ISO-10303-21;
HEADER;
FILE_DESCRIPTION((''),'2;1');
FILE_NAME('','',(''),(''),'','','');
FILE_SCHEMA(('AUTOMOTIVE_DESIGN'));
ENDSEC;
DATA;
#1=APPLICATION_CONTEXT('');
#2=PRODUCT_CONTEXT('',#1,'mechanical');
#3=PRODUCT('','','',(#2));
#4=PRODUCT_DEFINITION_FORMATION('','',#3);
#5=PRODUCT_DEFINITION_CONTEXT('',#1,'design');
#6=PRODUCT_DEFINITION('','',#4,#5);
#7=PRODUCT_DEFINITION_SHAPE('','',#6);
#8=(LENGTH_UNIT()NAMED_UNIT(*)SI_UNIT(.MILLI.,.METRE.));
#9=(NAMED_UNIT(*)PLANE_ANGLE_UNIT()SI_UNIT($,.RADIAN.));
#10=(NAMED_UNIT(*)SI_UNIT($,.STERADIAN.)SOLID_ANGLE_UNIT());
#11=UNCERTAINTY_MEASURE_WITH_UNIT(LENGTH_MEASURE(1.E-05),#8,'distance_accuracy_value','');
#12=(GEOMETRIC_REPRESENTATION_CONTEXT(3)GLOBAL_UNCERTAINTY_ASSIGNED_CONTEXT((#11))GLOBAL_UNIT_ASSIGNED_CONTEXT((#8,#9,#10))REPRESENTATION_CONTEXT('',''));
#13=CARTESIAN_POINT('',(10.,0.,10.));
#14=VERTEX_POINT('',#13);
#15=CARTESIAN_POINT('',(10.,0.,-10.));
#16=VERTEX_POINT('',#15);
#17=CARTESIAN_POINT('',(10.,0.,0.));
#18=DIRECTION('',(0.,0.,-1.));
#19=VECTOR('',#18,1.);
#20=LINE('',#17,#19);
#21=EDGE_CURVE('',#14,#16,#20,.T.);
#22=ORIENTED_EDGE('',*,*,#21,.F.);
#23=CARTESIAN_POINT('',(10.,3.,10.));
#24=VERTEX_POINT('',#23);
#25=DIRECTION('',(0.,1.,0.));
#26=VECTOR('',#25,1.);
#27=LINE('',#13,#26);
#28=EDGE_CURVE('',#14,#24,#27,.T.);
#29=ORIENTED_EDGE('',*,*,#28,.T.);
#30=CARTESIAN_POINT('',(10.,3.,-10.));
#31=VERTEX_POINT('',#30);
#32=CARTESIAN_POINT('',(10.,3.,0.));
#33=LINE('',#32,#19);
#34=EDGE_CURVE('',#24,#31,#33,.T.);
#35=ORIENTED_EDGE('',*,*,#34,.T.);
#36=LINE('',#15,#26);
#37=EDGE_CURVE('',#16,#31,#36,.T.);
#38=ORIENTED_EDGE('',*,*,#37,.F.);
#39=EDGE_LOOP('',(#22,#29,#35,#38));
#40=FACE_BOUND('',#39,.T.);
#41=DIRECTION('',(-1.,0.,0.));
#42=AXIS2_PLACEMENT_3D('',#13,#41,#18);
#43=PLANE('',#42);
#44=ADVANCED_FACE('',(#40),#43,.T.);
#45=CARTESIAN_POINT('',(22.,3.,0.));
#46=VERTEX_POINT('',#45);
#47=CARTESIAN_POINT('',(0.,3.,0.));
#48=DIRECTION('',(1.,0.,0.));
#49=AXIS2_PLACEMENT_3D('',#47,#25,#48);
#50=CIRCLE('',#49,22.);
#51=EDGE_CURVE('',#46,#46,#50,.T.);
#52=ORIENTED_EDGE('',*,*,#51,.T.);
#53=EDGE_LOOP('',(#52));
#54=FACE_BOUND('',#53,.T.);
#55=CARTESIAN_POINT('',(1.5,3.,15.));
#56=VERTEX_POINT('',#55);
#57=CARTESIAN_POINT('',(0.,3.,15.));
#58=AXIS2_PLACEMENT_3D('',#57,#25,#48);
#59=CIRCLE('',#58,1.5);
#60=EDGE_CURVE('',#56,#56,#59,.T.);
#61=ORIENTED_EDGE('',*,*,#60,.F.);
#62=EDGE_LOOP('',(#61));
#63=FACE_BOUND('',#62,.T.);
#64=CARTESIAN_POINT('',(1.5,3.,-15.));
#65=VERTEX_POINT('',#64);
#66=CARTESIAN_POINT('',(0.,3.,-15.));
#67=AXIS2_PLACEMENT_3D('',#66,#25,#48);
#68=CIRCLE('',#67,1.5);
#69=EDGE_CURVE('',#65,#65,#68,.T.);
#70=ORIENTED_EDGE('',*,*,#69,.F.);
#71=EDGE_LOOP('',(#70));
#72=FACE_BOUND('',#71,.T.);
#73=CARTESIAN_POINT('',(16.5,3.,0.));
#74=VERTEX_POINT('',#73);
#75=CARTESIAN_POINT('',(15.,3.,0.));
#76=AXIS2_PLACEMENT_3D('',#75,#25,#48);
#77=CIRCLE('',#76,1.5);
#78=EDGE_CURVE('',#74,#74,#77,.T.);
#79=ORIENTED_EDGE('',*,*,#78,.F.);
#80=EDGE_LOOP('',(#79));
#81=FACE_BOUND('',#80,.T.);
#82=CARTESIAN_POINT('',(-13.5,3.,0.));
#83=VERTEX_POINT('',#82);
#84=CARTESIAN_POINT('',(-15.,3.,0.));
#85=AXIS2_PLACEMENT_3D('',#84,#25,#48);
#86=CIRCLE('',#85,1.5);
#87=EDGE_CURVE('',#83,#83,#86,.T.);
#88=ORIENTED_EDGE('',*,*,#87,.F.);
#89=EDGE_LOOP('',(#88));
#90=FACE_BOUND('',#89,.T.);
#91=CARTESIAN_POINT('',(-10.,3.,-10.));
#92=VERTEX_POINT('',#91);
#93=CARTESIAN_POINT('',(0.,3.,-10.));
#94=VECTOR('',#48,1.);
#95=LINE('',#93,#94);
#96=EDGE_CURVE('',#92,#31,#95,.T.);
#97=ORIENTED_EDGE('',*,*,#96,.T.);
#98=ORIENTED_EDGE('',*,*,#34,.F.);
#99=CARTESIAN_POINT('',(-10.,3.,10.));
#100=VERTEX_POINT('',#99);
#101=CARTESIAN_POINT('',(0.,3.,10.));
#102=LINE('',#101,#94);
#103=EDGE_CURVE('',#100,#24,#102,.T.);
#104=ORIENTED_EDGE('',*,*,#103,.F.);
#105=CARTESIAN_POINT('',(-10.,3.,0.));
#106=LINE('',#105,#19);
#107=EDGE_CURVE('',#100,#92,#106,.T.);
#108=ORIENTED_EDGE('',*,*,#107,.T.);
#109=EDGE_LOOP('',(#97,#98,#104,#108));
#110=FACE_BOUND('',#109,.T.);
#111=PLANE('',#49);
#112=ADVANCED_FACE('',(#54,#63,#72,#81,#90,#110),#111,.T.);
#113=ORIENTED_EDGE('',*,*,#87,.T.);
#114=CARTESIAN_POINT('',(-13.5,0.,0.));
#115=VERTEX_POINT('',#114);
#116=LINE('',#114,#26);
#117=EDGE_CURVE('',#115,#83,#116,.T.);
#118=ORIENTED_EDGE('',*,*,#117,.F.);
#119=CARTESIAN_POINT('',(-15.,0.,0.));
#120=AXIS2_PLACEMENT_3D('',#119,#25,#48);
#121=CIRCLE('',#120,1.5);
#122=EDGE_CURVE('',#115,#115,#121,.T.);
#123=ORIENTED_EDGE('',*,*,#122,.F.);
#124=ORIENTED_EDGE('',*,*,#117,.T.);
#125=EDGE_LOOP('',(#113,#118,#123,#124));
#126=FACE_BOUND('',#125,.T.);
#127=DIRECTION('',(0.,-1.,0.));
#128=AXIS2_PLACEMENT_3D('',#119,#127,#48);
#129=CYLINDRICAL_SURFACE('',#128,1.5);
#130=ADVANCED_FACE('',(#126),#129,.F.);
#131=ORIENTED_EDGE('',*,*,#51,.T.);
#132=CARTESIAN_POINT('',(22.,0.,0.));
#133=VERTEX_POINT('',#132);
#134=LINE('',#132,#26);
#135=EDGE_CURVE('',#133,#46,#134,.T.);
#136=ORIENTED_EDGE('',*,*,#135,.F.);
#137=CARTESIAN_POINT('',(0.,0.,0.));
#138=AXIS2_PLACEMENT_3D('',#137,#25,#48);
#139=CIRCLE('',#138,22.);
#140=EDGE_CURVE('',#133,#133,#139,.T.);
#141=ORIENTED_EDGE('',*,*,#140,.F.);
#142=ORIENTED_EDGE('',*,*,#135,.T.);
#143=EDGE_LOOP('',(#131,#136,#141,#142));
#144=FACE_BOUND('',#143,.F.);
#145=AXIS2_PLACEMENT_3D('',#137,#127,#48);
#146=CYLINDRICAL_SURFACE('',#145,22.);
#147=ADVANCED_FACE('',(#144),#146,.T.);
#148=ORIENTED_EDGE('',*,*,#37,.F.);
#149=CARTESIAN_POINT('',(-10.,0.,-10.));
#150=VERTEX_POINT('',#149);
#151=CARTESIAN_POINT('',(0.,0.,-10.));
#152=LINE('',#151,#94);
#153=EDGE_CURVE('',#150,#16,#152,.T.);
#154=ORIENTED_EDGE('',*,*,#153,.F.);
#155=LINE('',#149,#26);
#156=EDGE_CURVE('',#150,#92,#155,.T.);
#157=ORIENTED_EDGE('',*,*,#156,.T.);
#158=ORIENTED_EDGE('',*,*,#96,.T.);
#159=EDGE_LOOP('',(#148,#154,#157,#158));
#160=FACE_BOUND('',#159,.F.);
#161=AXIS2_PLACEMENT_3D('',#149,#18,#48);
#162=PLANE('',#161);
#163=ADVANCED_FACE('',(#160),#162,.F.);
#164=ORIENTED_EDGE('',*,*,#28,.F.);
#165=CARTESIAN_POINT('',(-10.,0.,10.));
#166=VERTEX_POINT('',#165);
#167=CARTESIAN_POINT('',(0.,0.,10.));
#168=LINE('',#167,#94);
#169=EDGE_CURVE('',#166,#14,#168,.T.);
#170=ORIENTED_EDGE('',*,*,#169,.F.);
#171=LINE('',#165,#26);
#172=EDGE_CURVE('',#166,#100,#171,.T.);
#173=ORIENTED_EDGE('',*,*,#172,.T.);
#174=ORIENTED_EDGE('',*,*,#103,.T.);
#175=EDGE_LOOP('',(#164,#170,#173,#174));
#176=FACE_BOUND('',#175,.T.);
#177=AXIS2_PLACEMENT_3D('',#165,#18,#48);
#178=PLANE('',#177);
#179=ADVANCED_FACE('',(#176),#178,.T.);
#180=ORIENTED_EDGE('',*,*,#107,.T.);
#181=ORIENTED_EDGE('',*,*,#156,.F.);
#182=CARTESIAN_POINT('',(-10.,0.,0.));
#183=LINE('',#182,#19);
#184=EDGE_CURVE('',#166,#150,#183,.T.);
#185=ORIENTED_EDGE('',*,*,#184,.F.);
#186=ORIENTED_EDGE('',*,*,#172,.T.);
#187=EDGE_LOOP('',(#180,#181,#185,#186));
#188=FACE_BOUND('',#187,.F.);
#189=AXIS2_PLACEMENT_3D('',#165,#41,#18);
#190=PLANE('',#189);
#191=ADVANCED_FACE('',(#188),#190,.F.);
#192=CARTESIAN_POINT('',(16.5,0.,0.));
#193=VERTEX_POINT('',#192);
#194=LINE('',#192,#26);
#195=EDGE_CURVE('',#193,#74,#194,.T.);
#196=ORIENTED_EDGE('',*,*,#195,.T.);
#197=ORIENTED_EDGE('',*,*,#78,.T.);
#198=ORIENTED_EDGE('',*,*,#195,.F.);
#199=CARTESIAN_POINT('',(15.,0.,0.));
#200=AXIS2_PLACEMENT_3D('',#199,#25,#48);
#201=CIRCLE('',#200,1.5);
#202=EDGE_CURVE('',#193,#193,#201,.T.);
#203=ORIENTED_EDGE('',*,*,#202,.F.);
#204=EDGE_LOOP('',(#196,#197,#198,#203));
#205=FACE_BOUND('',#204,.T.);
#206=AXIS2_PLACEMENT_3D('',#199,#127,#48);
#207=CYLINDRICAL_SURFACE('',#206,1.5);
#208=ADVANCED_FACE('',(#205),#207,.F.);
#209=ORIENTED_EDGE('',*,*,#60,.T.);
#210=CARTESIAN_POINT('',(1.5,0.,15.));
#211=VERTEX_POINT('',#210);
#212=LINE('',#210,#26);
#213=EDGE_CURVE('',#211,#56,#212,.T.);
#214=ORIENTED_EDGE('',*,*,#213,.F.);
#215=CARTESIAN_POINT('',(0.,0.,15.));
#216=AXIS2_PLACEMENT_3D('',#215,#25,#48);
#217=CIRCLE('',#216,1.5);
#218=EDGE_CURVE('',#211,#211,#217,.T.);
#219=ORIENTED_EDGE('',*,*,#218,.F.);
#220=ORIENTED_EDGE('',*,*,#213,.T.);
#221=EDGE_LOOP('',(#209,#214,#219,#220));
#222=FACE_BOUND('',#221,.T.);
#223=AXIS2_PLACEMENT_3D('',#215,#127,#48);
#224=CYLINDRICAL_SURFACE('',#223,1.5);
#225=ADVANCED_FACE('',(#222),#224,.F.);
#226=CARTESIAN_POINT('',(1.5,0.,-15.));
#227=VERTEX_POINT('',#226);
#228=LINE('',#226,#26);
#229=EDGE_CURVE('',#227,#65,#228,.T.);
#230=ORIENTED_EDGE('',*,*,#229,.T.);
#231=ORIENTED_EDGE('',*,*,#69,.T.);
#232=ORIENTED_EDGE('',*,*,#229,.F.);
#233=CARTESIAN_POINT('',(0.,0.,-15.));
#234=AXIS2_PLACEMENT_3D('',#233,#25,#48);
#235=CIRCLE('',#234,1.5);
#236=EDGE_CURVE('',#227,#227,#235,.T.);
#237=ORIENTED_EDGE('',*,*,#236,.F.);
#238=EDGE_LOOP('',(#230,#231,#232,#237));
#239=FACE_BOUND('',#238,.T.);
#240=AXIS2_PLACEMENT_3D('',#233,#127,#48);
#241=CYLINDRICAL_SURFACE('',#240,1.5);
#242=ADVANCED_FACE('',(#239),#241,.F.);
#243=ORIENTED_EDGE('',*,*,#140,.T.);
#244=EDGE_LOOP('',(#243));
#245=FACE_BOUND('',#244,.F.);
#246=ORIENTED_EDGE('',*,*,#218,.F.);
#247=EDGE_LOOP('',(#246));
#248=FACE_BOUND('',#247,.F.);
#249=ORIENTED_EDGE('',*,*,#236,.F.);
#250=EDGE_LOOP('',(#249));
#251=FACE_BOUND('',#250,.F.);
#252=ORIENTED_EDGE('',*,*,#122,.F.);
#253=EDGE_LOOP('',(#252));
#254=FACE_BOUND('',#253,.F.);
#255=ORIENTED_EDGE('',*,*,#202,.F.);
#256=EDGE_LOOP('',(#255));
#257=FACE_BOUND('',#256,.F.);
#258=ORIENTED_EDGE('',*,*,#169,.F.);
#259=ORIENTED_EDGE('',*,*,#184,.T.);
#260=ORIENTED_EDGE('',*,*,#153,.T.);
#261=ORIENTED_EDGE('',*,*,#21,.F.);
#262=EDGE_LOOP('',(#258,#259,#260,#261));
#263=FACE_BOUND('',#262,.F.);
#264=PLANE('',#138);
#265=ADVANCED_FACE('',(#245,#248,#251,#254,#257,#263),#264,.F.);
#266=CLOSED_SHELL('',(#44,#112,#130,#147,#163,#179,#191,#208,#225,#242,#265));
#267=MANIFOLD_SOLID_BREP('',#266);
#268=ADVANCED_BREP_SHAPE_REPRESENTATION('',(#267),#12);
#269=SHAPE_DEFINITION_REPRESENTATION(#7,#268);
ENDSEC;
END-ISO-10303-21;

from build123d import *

# Parameters (mm, degrees)
SKETCH1_R           = 22
SKETCH1_R_2         = 1.5
SKETCH1_W           = 20
SKETCH1_H           = 20
BOSS_EXTRUDE1_DEPTH = 3


with BuildPart() as part:
    # Sketch1 → Boss-Extrude1 (new body)
    with BuildSketch(Plane(origin=(0, 0, 0), x_dir=(1, 0, 0), z_dir=(0, 1, 0))):
        Circle(SKETCH1_R)
        with Locations((-15, 0)):
            Circle(SKETCH1_R_2, mode=Mode.SUBTRACT)
        with Locations((0, 15)):
            Circle(SKETCH1_R_2, mode=Mode.SUBTRACT)
        with Locations((15, 0)):
            Circle(SKETCH1_R_2, mode=Mode.SUBTRACT)
        with Locations((0, -15)):
            Circle(SKETCH1_R_2, mode=Mode.SUBTRACT)
        Rectangle(SKETCH1_W, SKETCH1_H, mode=Mode.SUBTRACT)
    extrude(amount=BOSS_EXTRUDE1_DEPTH)


solid = part.part
